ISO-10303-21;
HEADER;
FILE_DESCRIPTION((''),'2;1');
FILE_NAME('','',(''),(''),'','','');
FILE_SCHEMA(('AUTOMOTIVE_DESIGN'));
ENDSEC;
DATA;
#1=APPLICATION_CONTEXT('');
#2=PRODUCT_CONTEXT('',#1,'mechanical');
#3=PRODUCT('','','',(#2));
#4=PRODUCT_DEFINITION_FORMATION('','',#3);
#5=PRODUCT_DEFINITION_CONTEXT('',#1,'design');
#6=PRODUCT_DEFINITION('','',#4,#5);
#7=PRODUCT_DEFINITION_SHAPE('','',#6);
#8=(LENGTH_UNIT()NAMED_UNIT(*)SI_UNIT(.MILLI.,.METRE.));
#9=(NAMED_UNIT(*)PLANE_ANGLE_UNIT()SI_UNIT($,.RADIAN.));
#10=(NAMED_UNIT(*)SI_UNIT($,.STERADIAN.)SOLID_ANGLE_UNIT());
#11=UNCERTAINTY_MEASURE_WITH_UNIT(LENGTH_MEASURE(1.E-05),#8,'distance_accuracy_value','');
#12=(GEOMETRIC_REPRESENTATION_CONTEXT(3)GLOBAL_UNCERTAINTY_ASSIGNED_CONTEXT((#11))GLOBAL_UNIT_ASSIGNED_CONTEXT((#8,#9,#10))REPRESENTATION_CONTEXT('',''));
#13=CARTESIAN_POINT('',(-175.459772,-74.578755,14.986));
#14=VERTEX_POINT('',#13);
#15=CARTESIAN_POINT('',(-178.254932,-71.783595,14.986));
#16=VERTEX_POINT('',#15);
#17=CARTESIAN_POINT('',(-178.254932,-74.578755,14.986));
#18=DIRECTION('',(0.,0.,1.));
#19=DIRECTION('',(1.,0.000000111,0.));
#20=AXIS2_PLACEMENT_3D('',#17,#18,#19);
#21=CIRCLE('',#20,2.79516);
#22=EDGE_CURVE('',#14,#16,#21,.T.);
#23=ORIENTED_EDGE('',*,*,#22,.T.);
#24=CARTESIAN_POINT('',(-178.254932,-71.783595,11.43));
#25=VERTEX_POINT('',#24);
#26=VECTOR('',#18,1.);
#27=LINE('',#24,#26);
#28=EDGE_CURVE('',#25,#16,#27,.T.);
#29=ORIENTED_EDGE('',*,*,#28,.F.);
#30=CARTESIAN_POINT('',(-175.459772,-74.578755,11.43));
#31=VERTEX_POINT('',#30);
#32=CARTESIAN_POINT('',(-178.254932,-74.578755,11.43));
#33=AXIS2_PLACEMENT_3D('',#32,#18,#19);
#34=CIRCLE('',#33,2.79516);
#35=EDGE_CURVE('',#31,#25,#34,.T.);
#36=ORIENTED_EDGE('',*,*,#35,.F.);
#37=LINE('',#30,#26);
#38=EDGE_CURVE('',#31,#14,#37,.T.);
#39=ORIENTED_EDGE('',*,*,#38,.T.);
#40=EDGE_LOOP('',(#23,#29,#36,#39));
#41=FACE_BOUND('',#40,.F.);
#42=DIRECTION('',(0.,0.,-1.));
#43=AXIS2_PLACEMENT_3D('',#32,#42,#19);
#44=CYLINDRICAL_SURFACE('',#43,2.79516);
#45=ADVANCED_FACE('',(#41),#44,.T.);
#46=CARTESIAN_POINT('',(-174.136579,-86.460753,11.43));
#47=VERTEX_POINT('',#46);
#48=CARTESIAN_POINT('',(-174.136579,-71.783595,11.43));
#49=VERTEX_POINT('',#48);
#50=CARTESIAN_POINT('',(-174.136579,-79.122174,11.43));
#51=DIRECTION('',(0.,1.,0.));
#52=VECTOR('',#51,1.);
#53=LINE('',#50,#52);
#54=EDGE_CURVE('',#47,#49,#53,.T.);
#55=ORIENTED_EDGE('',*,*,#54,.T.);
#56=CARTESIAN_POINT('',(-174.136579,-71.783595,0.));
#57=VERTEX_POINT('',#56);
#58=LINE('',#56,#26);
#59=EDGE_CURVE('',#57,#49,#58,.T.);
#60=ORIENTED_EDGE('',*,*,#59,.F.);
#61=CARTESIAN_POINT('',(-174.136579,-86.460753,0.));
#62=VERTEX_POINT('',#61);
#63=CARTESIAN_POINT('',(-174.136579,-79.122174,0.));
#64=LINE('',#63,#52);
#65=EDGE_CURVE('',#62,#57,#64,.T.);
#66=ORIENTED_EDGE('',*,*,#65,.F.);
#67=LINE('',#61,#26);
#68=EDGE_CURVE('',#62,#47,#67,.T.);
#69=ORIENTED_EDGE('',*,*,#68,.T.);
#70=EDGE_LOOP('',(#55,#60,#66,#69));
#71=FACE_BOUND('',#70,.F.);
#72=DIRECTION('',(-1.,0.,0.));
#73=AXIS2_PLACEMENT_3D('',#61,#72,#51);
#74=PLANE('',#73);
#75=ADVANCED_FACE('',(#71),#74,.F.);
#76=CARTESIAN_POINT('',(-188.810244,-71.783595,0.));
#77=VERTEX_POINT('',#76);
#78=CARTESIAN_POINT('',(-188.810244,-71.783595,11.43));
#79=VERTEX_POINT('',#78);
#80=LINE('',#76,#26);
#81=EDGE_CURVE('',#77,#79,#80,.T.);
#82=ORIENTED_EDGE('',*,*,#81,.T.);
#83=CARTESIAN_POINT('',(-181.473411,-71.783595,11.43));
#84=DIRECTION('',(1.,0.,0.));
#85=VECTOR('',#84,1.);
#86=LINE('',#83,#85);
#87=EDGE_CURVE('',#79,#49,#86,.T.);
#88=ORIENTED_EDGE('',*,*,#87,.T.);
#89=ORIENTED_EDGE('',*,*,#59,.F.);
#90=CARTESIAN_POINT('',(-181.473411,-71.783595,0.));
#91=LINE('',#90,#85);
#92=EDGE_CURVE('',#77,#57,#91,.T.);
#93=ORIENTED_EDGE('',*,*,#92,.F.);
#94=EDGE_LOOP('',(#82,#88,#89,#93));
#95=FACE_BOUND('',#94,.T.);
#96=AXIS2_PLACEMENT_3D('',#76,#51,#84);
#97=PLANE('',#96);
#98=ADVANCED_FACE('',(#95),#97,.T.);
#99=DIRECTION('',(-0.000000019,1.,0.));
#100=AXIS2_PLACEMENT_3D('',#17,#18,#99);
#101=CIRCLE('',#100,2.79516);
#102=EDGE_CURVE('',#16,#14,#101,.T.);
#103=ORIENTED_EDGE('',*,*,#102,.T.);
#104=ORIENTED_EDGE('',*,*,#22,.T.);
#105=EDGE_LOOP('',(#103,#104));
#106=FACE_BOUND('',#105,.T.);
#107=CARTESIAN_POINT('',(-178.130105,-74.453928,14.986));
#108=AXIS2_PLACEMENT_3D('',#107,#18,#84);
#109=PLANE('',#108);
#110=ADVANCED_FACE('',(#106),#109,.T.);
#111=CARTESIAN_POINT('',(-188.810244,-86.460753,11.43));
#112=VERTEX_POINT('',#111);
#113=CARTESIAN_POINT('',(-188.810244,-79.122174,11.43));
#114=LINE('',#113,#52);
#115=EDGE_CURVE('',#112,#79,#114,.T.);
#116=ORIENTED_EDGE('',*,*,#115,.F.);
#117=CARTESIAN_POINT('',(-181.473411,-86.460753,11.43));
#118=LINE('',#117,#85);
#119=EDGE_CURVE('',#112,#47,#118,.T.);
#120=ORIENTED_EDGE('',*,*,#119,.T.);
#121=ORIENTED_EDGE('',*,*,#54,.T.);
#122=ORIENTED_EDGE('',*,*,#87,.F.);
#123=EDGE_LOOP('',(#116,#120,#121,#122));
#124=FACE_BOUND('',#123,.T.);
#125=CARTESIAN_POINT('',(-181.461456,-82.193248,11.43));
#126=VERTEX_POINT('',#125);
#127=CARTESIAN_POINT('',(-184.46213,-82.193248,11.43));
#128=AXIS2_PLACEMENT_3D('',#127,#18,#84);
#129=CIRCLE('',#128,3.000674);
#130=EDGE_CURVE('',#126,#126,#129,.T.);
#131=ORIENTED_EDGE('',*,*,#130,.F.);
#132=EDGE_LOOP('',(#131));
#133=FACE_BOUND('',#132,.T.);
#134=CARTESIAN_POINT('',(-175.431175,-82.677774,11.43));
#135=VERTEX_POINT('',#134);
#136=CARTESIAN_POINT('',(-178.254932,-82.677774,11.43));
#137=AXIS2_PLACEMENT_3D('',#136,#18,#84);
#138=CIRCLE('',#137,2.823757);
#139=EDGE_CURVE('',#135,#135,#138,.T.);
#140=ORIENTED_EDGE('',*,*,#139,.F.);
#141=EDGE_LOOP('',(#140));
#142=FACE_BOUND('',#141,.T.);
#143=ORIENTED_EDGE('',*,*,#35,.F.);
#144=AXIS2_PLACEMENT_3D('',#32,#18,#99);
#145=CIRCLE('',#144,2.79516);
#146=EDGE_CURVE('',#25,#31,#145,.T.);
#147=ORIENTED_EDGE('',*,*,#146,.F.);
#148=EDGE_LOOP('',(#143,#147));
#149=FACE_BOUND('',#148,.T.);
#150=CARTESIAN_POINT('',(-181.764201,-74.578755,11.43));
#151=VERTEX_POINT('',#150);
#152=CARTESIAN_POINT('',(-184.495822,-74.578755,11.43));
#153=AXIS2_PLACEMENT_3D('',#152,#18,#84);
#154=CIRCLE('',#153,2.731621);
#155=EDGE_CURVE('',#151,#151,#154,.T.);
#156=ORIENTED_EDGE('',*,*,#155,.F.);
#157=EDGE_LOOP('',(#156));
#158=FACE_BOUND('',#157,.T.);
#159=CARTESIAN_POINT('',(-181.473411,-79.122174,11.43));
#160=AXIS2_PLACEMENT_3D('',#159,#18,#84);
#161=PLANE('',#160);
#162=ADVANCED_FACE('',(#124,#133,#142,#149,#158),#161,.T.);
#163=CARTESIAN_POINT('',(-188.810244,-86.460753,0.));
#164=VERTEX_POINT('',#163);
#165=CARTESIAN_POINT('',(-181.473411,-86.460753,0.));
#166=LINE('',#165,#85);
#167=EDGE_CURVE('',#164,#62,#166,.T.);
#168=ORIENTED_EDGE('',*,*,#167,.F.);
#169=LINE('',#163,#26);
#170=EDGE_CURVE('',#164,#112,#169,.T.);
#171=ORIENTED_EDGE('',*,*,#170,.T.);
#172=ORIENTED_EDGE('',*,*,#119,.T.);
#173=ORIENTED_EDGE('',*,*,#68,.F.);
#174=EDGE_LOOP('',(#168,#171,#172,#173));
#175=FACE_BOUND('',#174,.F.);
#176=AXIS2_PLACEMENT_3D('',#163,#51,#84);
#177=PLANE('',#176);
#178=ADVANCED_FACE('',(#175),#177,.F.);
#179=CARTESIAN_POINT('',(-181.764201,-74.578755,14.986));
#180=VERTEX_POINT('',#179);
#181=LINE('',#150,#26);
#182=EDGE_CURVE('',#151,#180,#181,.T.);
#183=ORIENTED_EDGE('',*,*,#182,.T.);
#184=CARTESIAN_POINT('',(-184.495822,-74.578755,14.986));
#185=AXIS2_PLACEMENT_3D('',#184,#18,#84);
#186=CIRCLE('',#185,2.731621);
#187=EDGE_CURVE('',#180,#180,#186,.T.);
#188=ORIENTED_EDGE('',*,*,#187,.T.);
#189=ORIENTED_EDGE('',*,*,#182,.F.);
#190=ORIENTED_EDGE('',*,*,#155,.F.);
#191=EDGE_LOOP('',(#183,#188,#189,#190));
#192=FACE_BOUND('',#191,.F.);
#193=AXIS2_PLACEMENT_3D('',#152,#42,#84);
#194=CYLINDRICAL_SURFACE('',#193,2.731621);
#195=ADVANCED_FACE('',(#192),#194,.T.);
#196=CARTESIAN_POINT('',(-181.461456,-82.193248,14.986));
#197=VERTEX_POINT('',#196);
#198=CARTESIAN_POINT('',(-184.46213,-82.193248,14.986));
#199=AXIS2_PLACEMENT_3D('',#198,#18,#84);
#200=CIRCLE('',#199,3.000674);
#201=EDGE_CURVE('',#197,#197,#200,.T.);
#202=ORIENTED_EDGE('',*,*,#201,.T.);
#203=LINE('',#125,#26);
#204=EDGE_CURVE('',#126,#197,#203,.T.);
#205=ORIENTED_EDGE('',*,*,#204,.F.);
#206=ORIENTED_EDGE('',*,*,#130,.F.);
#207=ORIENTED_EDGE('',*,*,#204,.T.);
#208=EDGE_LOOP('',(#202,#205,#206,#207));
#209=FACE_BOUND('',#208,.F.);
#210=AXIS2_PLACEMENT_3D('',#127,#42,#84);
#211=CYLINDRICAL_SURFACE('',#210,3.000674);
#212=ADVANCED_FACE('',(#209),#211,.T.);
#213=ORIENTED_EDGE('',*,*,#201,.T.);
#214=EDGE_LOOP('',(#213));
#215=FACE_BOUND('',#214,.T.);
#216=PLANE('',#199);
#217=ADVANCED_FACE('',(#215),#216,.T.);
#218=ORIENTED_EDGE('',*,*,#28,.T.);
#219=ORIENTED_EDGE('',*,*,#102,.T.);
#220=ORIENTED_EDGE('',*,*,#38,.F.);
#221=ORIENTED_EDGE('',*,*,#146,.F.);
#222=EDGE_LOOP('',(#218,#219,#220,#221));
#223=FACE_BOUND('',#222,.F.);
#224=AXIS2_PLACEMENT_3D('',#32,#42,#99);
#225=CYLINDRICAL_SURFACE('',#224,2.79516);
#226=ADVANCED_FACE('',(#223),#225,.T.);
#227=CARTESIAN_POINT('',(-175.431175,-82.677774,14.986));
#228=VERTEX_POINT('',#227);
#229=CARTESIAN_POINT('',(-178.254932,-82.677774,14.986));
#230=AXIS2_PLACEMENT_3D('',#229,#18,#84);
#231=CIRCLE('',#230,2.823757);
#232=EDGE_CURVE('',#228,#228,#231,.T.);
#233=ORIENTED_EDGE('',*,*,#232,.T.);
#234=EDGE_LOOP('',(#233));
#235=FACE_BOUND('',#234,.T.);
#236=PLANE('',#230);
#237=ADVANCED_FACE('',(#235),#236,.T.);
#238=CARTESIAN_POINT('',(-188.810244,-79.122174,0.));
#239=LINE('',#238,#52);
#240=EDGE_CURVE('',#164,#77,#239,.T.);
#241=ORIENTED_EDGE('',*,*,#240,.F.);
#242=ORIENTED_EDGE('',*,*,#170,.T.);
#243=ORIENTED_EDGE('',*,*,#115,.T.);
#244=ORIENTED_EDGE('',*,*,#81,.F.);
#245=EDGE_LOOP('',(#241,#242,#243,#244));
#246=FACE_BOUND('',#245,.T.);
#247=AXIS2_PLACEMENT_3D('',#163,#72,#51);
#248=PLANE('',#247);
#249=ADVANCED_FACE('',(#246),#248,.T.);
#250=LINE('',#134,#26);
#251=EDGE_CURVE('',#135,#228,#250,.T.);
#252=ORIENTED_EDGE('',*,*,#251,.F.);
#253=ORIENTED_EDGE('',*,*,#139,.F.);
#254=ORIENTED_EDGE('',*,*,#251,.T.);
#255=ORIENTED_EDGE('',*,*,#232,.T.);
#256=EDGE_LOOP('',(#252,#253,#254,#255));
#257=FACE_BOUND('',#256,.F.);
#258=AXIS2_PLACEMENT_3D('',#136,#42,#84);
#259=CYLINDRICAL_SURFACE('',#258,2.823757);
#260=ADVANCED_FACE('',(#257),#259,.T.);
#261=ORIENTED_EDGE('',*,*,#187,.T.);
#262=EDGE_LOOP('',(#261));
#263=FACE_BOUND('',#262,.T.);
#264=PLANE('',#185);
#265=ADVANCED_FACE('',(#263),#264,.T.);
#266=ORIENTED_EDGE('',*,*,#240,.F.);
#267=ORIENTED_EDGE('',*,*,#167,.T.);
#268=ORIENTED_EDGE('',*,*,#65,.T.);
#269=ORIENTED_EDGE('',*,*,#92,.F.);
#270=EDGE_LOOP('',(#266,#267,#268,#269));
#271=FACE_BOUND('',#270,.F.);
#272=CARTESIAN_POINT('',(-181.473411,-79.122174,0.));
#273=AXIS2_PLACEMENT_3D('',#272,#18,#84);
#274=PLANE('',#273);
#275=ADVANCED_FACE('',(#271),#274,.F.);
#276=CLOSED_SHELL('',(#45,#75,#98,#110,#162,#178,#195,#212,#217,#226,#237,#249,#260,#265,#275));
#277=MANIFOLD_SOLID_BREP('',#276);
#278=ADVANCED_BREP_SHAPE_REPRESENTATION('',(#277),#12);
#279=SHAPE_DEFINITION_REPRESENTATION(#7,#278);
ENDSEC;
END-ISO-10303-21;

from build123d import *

# Parameters (mm, degrees)
F1_W     = 14.673665
F1_H     = 14.677159
F2_DEPTH = 11.43
F3_R     = 2.823757
F3_R_2   = 2.731621
F3_R_3   = 3.000674
F5_DEPTH = 3.556


with BuildPart() as f2:
    # F1 (on face) → F2 (new body)
    with BuildSketch(Plane.XY):
        with Locations((-181.473411, -79.122174)):
            Rectangle(F1_W, F1_H)
    extrude(amount=F2_DEPTH)

    # F3 (on face) → F5 (join)
    with BuildSketch(Plane.XY.offset(11.43)):
        with BuildLine():
            ThreePointArc((-178.254932, -71.783595), (-180.231409, -76.555231), (-175.459772, -74.578755))
            ThreePointArc((-175.459772, -74.578755), (-176.278456, -72.602278), (-178.254932, -71.783595))
        make_face()
        with Locations((-178.254932, -82.677774)):
            Circle(F3_R)
        with Locations((-184.495822, -74.578755)):
            Circle(F3_R_2)
        with Locations((-184.46213, -82.193248)):
            Circle(F3_R_3)
    extrude(amount=F5_DEPTH)


solid = f2.part
